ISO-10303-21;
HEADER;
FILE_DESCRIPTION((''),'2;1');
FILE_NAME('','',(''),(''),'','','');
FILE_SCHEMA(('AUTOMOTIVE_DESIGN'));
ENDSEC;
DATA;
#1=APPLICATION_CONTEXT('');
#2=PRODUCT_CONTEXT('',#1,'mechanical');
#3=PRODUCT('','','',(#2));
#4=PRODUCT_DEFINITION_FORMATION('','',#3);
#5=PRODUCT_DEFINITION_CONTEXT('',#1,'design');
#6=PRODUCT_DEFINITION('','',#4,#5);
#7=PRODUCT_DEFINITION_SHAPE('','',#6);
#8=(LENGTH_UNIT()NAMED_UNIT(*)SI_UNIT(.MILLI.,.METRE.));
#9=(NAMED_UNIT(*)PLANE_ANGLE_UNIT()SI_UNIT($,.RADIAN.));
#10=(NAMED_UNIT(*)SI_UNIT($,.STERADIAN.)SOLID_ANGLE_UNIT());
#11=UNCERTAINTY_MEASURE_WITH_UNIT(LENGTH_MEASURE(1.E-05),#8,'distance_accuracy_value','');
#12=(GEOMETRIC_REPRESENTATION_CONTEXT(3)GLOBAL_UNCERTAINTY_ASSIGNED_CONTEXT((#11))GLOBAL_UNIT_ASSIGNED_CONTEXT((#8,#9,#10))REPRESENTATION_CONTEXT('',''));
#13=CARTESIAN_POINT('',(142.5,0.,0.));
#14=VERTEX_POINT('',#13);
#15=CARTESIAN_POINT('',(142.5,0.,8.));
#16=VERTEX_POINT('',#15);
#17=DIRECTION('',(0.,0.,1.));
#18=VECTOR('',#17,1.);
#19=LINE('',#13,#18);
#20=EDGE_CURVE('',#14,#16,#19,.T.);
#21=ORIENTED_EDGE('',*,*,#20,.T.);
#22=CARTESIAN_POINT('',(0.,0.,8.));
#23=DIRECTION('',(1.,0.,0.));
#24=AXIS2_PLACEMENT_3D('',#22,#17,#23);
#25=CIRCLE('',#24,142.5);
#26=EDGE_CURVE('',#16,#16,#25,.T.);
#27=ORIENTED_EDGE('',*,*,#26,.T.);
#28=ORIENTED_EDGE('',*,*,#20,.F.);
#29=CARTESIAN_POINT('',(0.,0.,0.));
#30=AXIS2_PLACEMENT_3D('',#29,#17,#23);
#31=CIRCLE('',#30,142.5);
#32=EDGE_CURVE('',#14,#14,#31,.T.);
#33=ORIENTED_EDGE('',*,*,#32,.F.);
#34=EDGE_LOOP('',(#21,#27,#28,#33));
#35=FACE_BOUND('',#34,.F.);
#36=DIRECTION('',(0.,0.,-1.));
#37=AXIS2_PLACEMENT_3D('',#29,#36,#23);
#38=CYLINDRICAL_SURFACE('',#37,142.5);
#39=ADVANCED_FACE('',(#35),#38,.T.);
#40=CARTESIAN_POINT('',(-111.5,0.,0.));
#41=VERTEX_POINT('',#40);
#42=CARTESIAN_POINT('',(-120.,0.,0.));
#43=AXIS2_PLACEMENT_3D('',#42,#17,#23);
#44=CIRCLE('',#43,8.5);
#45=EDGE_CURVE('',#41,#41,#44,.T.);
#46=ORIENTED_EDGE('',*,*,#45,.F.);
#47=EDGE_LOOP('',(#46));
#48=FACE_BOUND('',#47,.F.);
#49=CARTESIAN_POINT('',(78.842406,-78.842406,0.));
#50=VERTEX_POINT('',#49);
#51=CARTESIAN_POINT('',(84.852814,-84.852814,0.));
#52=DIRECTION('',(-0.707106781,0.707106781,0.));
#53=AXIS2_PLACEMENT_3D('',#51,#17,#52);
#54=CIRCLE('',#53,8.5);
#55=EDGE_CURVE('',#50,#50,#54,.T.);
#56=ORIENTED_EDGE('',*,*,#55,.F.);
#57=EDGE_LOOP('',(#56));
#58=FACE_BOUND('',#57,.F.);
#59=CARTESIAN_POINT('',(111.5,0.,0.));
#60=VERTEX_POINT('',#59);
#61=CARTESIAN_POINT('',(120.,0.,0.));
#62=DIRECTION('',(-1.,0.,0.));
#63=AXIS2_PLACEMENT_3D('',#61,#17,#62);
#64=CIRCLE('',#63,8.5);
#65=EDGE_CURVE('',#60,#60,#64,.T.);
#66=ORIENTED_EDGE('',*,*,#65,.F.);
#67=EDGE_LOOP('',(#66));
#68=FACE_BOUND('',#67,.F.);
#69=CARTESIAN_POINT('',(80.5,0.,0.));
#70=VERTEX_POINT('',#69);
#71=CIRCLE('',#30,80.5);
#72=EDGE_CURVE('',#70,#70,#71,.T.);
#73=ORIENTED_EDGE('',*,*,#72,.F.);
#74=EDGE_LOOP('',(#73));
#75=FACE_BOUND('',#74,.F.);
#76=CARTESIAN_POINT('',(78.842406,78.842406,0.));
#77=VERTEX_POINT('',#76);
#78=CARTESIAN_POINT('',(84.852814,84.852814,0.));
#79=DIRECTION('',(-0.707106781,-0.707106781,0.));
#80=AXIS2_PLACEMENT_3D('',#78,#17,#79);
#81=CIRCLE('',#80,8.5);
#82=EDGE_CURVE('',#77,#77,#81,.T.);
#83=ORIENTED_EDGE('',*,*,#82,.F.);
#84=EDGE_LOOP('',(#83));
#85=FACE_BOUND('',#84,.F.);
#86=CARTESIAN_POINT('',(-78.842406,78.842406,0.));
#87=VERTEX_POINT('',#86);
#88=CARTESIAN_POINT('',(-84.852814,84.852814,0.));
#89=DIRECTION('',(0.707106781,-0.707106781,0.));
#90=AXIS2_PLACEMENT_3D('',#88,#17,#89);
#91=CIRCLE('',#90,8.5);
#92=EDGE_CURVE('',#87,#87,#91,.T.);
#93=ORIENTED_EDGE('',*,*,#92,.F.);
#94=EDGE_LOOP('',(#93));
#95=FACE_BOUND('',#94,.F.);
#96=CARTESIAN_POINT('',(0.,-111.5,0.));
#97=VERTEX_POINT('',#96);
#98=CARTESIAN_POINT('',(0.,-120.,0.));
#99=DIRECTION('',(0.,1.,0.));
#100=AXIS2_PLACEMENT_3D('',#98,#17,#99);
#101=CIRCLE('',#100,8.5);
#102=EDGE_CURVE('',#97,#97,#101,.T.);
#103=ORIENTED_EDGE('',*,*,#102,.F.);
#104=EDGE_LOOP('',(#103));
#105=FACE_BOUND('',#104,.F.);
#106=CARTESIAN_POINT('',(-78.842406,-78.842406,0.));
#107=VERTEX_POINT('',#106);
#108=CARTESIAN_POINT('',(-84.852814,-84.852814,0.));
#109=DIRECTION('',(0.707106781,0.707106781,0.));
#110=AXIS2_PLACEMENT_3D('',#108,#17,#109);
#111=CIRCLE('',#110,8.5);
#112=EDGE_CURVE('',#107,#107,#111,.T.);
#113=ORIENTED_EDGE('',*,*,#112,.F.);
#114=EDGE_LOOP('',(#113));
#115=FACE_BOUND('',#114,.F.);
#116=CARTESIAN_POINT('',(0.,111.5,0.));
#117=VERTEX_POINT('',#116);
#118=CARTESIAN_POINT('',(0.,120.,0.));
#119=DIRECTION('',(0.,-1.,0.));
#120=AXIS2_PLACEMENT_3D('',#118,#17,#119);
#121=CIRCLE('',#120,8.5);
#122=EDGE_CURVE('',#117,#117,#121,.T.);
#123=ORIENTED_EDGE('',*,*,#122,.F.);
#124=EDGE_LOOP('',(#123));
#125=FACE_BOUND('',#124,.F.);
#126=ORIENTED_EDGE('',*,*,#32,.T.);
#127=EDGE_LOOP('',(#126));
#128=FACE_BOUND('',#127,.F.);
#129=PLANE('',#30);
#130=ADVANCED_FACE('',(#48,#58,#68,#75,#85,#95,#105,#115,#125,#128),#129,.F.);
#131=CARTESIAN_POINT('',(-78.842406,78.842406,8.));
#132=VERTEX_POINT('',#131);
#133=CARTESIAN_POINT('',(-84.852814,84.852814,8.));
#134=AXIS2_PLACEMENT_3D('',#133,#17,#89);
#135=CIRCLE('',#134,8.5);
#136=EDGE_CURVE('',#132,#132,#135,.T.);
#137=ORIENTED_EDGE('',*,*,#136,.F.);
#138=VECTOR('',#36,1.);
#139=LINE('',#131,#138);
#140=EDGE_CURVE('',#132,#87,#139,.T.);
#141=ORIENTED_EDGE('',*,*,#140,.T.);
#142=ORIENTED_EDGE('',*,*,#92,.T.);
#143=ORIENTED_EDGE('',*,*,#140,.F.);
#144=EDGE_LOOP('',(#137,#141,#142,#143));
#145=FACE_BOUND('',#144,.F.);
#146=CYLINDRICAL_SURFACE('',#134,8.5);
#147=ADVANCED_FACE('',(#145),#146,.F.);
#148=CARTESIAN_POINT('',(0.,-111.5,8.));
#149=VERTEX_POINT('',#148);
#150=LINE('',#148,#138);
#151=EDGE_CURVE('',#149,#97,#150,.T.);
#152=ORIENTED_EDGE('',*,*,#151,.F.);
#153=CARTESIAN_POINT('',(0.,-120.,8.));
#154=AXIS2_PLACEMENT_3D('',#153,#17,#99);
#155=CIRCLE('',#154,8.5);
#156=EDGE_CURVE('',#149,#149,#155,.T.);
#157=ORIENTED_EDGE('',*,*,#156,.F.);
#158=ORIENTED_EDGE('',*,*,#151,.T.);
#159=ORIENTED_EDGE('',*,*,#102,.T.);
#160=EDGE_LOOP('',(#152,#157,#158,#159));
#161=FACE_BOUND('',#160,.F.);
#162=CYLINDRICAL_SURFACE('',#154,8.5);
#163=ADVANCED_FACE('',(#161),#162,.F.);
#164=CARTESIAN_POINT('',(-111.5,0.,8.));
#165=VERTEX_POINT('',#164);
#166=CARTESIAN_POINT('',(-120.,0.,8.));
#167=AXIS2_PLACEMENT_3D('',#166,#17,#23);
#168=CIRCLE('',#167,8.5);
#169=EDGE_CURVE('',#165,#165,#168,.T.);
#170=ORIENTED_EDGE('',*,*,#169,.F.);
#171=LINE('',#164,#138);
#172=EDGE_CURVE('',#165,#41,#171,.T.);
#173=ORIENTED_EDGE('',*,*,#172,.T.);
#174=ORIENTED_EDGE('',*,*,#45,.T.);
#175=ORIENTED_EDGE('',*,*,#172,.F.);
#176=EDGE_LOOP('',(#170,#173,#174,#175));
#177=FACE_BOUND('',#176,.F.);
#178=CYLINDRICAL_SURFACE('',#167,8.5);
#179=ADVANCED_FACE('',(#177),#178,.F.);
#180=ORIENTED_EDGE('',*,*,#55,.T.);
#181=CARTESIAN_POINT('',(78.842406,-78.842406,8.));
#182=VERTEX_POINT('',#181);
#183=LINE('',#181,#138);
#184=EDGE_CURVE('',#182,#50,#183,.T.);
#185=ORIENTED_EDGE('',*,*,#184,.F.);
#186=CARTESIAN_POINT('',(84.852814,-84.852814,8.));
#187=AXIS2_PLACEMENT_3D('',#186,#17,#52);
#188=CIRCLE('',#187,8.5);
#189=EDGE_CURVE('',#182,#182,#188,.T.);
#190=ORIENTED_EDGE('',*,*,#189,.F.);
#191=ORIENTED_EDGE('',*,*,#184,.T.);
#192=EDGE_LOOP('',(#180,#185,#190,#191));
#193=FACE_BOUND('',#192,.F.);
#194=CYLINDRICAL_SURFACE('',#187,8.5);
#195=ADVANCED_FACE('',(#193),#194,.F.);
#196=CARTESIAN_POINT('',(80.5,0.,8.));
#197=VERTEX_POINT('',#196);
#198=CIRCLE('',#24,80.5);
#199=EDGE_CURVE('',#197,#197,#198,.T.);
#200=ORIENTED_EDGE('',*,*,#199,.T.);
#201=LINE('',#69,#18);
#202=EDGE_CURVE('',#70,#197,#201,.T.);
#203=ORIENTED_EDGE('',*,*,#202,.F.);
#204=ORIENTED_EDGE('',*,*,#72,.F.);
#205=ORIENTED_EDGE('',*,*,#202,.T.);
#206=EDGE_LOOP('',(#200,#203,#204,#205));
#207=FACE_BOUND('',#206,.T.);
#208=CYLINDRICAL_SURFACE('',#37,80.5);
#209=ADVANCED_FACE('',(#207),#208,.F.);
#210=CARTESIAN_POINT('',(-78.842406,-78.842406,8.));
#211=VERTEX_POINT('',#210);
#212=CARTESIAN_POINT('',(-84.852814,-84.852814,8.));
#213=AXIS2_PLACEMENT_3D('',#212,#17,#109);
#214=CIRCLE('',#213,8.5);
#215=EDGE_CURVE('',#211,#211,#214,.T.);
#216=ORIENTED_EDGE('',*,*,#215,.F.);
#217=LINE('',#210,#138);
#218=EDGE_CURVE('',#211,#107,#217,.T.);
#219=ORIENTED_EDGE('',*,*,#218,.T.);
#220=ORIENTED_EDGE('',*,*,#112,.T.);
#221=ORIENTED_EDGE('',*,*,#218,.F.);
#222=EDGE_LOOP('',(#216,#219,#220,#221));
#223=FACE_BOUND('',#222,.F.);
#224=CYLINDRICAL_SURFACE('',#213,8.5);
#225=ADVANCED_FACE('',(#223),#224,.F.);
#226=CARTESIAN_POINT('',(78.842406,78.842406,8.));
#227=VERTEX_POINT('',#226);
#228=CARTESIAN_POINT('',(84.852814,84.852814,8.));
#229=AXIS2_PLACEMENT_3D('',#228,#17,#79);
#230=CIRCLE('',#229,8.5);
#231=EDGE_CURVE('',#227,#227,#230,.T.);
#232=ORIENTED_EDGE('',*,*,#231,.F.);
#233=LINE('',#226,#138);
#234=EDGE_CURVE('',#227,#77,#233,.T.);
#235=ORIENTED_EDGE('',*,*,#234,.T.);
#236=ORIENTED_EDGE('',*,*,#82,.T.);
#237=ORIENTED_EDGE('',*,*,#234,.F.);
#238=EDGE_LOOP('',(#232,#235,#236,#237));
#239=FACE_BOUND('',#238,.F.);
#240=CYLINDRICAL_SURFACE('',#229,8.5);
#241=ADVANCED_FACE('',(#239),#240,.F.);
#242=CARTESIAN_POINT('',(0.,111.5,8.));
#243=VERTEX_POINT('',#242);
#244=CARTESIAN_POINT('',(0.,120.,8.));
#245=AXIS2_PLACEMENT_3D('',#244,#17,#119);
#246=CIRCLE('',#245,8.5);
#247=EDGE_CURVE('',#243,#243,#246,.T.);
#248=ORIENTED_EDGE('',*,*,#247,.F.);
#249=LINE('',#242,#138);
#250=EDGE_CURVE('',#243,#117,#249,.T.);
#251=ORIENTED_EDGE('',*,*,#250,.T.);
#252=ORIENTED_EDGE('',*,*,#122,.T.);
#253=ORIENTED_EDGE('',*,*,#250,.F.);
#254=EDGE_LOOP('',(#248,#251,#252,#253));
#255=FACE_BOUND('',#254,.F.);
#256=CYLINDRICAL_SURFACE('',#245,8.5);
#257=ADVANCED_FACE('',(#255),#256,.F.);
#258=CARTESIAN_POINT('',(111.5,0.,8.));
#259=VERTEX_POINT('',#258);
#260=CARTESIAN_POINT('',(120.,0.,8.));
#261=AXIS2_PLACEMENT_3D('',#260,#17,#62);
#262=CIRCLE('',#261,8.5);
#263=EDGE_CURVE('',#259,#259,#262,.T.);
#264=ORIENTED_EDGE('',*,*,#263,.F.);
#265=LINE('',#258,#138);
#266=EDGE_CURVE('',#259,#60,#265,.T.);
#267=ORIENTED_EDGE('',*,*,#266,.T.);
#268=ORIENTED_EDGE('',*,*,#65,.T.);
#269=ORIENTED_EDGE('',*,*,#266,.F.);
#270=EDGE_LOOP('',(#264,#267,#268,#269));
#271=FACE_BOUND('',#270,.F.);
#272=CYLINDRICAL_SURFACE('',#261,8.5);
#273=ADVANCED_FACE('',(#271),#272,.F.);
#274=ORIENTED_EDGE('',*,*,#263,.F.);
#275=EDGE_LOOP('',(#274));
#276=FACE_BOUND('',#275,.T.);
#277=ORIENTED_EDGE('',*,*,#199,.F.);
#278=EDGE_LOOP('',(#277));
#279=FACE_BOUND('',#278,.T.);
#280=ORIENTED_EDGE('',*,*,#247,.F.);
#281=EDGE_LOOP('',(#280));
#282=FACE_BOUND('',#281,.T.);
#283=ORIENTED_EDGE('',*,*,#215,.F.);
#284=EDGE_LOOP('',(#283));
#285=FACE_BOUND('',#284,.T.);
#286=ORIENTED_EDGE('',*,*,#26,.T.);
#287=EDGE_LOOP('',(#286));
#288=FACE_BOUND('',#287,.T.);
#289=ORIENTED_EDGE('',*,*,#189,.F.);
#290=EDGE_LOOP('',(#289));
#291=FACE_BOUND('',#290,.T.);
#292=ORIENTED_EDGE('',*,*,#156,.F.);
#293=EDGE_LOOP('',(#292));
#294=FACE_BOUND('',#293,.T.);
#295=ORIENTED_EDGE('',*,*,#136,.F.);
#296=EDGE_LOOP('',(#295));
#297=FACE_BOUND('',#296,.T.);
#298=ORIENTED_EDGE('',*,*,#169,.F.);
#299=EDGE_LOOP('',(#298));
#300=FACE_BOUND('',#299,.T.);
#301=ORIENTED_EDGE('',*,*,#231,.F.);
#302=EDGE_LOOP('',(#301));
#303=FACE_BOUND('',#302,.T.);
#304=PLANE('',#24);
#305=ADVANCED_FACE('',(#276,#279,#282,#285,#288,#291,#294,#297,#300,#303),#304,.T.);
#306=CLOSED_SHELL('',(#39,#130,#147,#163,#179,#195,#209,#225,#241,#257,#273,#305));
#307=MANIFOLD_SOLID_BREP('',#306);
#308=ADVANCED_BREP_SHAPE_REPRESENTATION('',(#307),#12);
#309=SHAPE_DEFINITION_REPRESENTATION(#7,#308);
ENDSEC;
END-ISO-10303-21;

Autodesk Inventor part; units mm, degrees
ref_plane "YZ Plane" through (0, 0, 0) normal (1, 0, 0) x (0, 1, 0)
ref_plane "XZ Plane" through (0, 0, 0) normal (0, 1, 0) x (-1, 0, 0)
ref_plane "XY Plane" through (0, 0, 0) normal (0, 0, 1) x (1, 0, 0)
sketch "Sketch2" plane through (0, 0, 0) normal (0, 0, 1) x (1, 0, 0)
  circle A0 centre (0, 0) radius 80.5
  circle A1 centre (0, 0) radius 142.5
  dimension "d25" = 161
  dimension "d27" = 285
extrude "Plate2" add sketch "Sketch2" along normal blind 8
sketch "Sketch3" plane through (0, 0, 8) normal (0, 0, 1) x (1, 0, 0)
  circle A0 centre (-120, 0) radius 8.5
  circle A1 centre (0, 0) radius 120 construction
  dimension "d28" = 240
  dimension "d15" = 17
extrude "Cut1" cut sketch "Sketch3" against normal blind 8
pattern_circular "Circular Pattern1" count 8 over 360 about axis through (0, 0, 0) along (0, 0, 1) of "Cut1"
equation "\"d17\" = Thickness"
equation "\"d14\" = Thickness"
equation "\"BendReliefWidth\" = Thickness"
equation "\"BendReliefDepth\" = 0.5 * Thickness"
equation "\"CornerReliefSize\" = 4 * Thickness"
equation "\"MinimumRemnant\" = 2 * Thickness"
equation "\"TransitionRadius\" = BendRadius"
equation "\"JacobiRadiusSize\" = BendRadius"
equation "\"GapSize\" = Thickness"
equation "\"Thickness\" = 8"
equation "\"BendRadius\" = 6"
properties part number "TZS 1222 charging flange round" material "Steel"
